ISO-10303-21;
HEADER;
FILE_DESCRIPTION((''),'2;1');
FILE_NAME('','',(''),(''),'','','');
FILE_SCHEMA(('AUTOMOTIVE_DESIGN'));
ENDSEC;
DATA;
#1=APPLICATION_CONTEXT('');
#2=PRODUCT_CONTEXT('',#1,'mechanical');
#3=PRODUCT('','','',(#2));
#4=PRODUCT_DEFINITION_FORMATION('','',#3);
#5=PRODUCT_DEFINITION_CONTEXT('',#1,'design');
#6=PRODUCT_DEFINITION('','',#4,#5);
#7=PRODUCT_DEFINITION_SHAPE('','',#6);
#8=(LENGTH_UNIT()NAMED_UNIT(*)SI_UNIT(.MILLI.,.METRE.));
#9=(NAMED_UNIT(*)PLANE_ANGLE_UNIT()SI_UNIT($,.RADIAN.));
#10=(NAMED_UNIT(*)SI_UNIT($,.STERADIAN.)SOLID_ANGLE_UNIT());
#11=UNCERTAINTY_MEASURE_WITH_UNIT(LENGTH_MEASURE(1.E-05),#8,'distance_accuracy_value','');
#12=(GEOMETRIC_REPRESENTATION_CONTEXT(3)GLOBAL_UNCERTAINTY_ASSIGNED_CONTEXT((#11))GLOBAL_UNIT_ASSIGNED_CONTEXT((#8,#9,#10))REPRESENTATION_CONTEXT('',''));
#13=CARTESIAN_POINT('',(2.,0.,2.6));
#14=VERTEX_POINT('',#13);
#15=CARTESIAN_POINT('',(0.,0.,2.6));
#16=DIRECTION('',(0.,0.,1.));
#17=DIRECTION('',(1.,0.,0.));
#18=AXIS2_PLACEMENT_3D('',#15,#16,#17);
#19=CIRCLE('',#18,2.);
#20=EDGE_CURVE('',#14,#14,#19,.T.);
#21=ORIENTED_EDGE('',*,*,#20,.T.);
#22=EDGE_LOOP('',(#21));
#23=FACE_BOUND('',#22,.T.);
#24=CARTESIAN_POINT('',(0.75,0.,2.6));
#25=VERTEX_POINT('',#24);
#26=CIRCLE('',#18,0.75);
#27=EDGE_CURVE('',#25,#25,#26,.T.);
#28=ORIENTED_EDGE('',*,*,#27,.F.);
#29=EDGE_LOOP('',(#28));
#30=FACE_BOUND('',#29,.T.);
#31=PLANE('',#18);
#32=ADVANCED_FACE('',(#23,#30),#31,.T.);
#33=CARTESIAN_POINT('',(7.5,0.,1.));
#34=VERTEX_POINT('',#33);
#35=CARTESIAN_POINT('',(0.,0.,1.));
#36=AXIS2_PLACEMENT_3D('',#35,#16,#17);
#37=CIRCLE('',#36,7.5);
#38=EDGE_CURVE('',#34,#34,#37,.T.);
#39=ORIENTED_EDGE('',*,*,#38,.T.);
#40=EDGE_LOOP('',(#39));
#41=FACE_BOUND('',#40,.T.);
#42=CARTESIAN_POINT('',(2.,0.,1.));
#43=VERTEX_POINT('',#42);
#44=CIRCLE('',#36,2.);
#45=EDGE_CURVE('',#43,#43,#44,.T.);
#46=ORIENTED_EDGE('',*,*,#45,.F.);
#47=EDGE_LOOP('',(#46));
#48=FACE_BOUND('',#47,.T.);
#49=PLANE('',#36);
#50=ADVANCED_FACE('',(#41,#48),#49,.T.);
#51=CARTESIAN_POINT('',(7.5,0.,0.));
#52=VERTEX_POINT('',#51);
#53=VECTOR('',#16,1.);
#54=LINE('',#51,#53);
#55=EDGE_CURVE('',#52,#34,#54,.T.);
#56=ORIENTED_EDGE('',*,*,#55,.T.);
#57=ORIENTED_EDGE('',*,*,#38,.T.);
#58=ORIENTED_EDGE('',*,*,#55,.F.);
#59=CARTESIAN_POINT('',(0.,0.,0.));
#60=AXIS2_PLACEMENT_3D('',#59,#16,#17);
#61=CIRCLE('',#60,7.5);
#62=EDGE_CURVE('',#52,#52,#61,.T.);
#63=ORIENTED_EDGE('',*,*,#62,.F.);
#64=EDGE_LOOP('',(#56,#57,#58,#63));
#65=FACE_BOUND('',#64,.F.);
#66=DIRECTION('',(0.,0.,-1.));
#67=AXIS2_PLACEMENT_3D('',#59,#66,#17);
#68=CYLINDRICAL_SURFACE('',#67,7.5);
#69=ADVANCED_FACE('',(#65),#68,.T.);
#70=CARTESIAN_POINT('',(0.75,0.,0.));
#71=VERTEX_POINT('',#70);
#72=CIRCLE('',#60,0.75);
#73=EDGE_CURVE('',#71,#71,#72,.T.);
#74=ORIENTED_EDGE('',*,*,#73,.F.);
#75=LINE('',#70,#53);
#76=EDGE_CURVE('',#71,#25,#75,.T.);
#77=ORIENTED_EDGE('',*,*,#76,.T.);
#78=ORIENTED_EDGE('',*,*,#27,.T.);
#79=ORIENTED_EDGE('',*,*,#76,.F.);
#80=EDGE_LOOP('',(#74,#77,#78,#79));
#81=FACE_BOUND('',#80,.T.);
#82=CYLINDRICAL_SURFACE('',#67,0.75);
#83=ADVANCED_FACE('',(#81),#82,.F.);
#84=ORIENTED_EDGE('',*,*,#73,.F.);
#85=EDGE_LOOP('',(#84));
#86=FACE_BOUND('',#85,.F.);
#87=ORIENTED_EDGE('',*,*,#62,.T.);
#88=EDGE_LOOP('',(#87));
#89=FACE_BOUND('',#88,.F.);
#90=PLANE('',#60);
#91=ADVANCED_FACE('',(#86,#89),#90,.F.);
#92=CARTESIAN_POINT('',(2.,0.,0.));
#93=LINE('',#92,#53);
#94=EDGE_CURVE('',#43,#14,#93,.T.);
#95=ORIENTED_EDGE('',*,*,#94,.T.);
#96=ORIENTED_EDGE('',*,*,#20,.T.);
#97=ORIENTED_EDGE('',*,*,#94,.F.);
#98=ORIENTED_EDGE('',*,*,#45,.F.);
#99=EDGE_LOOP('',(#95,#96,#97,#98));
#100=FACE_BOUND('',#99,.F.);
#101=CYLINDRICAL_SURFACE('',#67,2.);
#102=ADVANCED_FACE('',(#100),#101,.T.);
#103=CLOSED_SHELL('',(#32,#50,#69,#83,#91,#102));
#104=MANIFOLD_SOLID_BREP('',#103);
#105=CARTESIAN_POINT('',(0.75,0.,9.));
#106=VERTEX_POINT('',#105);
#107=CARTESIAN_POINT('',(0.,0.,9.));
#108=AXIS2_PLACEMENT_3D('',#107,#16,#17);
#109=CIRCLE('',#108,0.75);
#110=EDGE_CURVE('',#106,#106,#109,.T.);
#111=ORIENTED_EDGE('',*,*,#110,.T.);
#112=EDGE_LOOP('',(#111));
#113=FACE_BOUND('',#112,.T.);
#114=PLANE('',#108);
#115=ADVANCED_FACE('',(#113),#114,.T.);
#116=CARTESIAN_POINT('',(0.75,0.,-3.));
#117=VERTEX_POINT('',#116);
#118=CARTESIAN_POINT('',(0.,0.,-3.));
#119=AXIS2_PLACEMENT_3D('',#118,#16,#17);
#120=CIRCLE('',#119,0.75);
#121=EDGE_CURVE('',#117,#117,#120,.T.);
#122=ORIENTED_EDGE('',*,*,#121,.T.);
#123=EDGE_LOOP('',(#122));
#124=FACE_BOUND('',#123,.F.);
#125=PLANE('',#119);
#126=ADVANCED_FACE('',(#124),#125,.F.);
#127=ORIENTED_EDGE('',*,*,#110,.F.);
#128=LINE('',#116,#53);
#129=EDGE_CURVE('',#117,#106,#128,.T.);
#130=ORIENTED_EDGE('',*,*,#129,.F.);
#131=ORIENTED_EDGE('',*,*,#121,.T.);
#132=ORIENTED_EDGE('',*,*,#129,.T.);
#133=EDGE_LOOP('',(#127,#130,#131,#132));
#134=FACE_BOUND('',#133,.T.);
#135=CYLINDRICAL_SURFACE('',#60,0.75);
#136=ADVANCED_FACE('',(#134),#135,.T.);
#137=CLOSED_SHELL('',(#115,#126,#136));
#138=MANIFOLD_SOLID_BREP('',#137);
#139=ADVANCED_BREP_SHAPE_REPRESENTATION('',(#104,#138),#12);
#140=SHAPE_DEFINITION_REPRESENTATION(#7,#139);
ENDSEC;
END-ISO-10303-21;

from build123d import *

# Parameters (mm, degrees)
F0_R          = 7.5
F0_R_2        = 2
F1_DEPTH      = 1
F0_R_3        = 0.75
F2_DEPTH      = 2.6
F3_DEPTH      = 9
F3_DEPTH_BACK = 3


with BuildPart() as f1:
    # F0 (on Top) → F1 (new body)
    with BuildSketch(Plane.XY):
        Circle(F0_R)
        Circle(F0_R_2, mode=Mode.SUBTRACT)
    extrude(amount=F1_DEPTH)

    # F0 (on Top) → F2 (join)
    with BuildSketch(Plane.XY):
        Circle(F0_R_2)
        Circle(F0_R_3, mode=Mode.SUBTRACT)
    extrude(amount=F2_DEPTH)


with BuildPart() as f3:
    # F0 (on Top) → F3 (new body, two sides)
    with BuildSketch(Plane.XY) as f3_sk:
        Circle(F0_R_3)
    extrude(amount=F3_DEPTH)
    extrude(f3_sk.sketch, amount=-F3_DEPTH_BACK)


solid = Compound([f1.part, f3.part])
